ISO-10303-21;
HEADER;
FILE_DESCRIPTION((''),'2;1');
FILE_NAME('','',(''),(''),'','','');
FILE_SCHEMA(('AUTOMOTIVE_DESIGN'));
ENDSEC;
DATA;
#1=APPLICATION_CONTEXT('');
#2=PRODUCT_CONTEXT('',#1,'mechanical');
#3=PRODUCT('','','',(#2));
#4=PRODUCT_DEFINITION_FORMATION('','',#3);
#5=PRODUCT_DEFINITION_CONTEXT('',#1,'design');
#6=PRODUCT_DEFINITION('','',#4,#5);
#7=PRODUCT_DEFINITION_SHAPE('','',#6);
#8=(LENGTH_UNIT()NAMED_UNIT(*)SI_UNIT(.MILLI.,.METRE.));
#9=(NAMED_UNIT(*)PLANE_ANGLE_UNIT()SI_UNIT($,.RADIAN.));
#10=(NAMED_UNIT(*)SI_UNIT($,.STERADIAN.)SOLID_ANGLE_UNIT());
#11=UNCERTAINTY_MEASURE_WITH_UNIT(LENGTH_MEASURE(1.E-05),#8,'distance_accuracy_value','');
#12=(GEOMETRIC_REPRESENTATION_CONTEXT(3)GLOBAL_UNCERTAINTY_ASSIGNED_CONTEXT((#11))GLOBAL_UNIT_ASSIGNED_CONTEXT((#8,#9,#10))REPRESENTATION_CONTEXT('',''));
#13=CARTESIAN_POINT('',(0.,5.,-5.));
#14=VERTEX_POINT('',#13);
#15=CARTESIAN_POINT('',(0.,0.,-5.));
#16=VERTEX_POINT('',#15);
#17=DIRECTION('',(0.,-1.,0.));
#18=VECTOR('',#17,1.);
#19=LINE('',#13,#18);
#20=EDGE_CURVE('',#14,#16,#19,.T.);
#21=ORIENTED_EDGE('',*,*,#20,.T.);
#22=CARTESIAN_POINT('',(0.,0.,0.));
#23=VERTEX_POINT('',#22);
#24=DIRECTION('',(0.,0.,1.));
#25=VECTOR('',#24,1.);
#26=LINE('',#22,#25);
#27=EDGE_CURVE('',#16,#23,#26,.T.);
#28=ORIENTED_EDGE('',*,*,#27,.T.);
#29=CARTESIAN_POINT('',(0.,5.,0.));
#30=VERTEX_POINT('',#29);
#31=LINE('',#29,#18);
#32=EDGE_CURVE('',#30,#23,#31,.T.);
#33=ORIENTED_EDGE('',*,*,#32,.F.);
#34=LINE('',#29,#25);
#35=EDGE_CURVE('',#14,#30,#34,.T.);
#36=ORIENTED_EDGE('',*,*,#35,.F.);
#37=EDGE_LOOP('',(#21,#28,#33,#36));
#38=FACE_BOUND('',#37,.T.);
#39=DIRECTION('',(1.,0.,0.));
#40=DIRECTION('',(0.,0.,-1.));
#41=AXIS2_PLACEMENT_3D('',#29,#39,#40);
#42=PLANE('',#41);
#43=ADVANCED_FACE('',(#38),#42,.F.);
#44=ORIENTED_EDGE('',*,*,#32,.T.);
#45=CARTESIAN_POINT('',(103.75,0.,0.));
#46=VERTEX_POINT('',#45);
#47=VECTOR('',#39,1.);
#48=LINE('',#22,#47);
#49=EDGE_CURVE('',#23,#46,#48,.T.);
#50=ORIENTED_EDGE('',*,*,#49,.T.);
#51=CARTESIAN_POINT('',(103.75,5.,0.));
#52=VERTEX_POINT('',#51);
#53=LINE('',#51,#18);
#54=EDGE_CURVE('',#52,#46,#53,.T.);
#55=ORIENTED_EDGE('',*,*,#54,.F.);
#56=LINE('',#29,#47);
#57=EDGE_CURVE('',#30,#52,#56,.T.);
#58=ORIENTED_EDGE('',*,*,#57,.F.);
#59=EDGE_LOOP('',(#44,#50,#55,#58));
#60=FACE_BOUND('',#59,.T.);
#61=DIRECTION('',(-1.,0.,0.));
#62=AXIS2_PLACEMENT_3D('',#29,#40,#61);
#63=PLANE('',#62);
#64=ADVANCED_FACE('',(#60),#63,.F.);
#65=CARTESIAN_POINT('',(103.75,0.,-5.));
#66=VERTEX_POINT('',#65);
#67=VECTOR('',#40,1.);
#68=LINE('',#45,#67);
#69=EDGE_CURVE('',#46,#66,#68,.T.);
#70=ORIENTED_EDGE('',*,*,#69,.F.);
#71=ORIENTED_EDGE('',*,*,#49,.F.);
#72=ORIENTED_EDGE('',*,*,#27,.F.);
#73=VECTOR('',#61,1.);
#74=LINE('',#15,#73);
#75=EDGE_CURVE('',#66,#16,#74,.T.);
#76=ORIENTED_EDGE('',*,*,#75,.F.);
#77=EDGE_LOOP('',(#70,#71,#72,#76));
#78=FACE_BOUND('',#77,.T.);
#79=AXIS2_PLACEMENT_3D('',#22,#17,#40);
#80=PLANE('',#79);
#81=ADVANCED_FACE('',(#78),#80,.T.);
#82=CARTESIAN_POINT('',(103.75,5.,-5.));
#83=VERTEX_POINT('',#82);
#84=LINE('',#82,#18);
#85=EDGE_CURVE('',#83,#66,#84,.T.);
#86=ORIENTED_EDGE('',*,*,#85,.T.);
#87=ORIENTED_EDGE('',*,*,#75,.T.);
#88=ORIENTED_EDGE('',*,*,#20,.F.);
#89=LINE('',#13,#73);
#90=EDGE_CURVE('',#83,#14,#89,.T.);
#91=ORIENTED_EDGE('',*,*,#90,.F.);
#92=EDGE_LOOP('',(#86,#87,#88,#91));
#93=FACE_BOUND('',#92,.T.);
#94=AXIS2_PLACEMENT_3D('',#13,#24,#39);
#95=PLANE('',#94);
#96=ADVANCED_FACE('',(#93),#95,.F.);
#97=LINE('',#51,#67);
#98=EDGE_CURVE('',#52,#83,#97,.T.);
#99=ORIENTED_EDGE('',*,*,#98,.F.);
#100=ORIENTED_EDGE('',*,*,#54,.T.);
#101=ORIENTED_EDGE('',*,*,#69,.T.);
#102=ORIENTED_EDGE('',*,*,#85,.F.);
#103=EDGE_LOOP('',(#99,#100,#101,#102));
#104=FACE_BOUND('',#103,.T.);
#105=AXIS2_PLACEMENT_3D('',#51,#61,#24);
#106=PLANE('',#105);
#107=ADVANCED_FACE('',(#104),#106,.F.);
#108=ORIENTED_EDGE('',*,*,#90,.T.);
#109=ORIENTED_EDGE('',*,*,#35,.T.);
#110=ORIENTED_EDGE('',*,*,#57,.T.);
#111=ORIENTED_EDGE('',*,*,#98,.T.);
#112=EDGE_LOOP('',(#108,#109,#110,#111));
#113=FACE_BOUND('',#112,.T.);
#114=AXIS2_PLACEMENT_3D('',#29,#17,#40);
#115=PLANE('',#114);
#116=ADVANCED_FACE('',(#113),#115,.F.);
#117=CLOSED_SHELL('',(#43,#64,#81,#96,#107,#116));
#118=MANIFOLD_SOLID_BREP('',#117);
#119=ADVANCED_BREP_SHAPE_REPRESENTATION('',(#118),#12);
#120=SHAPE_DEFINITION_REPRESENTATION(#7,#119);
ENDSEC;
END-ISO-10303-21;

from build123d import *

# Parameters (mm, degrees)
SKETCH1_W           = 103.75
SKETCH1_H           = 5
BOSS_EXTRUDE1_DEPTH = 5


with BuildPart() as part:
    # Sketch1 → Boss-Extrude1 (new body)
    with BuildSketch(Plane(origin=(0, 0, 0), x_dir=(1, 0, 0), z_dir=(0, 1, 0))):
        with Locations((51.875, 2.5)):
            Rectangle(SKETCH1_W, SKETCH1_H)
    extrude(amount=BOSS_EXTRUDE1_DEPTH)


solid = part.part
